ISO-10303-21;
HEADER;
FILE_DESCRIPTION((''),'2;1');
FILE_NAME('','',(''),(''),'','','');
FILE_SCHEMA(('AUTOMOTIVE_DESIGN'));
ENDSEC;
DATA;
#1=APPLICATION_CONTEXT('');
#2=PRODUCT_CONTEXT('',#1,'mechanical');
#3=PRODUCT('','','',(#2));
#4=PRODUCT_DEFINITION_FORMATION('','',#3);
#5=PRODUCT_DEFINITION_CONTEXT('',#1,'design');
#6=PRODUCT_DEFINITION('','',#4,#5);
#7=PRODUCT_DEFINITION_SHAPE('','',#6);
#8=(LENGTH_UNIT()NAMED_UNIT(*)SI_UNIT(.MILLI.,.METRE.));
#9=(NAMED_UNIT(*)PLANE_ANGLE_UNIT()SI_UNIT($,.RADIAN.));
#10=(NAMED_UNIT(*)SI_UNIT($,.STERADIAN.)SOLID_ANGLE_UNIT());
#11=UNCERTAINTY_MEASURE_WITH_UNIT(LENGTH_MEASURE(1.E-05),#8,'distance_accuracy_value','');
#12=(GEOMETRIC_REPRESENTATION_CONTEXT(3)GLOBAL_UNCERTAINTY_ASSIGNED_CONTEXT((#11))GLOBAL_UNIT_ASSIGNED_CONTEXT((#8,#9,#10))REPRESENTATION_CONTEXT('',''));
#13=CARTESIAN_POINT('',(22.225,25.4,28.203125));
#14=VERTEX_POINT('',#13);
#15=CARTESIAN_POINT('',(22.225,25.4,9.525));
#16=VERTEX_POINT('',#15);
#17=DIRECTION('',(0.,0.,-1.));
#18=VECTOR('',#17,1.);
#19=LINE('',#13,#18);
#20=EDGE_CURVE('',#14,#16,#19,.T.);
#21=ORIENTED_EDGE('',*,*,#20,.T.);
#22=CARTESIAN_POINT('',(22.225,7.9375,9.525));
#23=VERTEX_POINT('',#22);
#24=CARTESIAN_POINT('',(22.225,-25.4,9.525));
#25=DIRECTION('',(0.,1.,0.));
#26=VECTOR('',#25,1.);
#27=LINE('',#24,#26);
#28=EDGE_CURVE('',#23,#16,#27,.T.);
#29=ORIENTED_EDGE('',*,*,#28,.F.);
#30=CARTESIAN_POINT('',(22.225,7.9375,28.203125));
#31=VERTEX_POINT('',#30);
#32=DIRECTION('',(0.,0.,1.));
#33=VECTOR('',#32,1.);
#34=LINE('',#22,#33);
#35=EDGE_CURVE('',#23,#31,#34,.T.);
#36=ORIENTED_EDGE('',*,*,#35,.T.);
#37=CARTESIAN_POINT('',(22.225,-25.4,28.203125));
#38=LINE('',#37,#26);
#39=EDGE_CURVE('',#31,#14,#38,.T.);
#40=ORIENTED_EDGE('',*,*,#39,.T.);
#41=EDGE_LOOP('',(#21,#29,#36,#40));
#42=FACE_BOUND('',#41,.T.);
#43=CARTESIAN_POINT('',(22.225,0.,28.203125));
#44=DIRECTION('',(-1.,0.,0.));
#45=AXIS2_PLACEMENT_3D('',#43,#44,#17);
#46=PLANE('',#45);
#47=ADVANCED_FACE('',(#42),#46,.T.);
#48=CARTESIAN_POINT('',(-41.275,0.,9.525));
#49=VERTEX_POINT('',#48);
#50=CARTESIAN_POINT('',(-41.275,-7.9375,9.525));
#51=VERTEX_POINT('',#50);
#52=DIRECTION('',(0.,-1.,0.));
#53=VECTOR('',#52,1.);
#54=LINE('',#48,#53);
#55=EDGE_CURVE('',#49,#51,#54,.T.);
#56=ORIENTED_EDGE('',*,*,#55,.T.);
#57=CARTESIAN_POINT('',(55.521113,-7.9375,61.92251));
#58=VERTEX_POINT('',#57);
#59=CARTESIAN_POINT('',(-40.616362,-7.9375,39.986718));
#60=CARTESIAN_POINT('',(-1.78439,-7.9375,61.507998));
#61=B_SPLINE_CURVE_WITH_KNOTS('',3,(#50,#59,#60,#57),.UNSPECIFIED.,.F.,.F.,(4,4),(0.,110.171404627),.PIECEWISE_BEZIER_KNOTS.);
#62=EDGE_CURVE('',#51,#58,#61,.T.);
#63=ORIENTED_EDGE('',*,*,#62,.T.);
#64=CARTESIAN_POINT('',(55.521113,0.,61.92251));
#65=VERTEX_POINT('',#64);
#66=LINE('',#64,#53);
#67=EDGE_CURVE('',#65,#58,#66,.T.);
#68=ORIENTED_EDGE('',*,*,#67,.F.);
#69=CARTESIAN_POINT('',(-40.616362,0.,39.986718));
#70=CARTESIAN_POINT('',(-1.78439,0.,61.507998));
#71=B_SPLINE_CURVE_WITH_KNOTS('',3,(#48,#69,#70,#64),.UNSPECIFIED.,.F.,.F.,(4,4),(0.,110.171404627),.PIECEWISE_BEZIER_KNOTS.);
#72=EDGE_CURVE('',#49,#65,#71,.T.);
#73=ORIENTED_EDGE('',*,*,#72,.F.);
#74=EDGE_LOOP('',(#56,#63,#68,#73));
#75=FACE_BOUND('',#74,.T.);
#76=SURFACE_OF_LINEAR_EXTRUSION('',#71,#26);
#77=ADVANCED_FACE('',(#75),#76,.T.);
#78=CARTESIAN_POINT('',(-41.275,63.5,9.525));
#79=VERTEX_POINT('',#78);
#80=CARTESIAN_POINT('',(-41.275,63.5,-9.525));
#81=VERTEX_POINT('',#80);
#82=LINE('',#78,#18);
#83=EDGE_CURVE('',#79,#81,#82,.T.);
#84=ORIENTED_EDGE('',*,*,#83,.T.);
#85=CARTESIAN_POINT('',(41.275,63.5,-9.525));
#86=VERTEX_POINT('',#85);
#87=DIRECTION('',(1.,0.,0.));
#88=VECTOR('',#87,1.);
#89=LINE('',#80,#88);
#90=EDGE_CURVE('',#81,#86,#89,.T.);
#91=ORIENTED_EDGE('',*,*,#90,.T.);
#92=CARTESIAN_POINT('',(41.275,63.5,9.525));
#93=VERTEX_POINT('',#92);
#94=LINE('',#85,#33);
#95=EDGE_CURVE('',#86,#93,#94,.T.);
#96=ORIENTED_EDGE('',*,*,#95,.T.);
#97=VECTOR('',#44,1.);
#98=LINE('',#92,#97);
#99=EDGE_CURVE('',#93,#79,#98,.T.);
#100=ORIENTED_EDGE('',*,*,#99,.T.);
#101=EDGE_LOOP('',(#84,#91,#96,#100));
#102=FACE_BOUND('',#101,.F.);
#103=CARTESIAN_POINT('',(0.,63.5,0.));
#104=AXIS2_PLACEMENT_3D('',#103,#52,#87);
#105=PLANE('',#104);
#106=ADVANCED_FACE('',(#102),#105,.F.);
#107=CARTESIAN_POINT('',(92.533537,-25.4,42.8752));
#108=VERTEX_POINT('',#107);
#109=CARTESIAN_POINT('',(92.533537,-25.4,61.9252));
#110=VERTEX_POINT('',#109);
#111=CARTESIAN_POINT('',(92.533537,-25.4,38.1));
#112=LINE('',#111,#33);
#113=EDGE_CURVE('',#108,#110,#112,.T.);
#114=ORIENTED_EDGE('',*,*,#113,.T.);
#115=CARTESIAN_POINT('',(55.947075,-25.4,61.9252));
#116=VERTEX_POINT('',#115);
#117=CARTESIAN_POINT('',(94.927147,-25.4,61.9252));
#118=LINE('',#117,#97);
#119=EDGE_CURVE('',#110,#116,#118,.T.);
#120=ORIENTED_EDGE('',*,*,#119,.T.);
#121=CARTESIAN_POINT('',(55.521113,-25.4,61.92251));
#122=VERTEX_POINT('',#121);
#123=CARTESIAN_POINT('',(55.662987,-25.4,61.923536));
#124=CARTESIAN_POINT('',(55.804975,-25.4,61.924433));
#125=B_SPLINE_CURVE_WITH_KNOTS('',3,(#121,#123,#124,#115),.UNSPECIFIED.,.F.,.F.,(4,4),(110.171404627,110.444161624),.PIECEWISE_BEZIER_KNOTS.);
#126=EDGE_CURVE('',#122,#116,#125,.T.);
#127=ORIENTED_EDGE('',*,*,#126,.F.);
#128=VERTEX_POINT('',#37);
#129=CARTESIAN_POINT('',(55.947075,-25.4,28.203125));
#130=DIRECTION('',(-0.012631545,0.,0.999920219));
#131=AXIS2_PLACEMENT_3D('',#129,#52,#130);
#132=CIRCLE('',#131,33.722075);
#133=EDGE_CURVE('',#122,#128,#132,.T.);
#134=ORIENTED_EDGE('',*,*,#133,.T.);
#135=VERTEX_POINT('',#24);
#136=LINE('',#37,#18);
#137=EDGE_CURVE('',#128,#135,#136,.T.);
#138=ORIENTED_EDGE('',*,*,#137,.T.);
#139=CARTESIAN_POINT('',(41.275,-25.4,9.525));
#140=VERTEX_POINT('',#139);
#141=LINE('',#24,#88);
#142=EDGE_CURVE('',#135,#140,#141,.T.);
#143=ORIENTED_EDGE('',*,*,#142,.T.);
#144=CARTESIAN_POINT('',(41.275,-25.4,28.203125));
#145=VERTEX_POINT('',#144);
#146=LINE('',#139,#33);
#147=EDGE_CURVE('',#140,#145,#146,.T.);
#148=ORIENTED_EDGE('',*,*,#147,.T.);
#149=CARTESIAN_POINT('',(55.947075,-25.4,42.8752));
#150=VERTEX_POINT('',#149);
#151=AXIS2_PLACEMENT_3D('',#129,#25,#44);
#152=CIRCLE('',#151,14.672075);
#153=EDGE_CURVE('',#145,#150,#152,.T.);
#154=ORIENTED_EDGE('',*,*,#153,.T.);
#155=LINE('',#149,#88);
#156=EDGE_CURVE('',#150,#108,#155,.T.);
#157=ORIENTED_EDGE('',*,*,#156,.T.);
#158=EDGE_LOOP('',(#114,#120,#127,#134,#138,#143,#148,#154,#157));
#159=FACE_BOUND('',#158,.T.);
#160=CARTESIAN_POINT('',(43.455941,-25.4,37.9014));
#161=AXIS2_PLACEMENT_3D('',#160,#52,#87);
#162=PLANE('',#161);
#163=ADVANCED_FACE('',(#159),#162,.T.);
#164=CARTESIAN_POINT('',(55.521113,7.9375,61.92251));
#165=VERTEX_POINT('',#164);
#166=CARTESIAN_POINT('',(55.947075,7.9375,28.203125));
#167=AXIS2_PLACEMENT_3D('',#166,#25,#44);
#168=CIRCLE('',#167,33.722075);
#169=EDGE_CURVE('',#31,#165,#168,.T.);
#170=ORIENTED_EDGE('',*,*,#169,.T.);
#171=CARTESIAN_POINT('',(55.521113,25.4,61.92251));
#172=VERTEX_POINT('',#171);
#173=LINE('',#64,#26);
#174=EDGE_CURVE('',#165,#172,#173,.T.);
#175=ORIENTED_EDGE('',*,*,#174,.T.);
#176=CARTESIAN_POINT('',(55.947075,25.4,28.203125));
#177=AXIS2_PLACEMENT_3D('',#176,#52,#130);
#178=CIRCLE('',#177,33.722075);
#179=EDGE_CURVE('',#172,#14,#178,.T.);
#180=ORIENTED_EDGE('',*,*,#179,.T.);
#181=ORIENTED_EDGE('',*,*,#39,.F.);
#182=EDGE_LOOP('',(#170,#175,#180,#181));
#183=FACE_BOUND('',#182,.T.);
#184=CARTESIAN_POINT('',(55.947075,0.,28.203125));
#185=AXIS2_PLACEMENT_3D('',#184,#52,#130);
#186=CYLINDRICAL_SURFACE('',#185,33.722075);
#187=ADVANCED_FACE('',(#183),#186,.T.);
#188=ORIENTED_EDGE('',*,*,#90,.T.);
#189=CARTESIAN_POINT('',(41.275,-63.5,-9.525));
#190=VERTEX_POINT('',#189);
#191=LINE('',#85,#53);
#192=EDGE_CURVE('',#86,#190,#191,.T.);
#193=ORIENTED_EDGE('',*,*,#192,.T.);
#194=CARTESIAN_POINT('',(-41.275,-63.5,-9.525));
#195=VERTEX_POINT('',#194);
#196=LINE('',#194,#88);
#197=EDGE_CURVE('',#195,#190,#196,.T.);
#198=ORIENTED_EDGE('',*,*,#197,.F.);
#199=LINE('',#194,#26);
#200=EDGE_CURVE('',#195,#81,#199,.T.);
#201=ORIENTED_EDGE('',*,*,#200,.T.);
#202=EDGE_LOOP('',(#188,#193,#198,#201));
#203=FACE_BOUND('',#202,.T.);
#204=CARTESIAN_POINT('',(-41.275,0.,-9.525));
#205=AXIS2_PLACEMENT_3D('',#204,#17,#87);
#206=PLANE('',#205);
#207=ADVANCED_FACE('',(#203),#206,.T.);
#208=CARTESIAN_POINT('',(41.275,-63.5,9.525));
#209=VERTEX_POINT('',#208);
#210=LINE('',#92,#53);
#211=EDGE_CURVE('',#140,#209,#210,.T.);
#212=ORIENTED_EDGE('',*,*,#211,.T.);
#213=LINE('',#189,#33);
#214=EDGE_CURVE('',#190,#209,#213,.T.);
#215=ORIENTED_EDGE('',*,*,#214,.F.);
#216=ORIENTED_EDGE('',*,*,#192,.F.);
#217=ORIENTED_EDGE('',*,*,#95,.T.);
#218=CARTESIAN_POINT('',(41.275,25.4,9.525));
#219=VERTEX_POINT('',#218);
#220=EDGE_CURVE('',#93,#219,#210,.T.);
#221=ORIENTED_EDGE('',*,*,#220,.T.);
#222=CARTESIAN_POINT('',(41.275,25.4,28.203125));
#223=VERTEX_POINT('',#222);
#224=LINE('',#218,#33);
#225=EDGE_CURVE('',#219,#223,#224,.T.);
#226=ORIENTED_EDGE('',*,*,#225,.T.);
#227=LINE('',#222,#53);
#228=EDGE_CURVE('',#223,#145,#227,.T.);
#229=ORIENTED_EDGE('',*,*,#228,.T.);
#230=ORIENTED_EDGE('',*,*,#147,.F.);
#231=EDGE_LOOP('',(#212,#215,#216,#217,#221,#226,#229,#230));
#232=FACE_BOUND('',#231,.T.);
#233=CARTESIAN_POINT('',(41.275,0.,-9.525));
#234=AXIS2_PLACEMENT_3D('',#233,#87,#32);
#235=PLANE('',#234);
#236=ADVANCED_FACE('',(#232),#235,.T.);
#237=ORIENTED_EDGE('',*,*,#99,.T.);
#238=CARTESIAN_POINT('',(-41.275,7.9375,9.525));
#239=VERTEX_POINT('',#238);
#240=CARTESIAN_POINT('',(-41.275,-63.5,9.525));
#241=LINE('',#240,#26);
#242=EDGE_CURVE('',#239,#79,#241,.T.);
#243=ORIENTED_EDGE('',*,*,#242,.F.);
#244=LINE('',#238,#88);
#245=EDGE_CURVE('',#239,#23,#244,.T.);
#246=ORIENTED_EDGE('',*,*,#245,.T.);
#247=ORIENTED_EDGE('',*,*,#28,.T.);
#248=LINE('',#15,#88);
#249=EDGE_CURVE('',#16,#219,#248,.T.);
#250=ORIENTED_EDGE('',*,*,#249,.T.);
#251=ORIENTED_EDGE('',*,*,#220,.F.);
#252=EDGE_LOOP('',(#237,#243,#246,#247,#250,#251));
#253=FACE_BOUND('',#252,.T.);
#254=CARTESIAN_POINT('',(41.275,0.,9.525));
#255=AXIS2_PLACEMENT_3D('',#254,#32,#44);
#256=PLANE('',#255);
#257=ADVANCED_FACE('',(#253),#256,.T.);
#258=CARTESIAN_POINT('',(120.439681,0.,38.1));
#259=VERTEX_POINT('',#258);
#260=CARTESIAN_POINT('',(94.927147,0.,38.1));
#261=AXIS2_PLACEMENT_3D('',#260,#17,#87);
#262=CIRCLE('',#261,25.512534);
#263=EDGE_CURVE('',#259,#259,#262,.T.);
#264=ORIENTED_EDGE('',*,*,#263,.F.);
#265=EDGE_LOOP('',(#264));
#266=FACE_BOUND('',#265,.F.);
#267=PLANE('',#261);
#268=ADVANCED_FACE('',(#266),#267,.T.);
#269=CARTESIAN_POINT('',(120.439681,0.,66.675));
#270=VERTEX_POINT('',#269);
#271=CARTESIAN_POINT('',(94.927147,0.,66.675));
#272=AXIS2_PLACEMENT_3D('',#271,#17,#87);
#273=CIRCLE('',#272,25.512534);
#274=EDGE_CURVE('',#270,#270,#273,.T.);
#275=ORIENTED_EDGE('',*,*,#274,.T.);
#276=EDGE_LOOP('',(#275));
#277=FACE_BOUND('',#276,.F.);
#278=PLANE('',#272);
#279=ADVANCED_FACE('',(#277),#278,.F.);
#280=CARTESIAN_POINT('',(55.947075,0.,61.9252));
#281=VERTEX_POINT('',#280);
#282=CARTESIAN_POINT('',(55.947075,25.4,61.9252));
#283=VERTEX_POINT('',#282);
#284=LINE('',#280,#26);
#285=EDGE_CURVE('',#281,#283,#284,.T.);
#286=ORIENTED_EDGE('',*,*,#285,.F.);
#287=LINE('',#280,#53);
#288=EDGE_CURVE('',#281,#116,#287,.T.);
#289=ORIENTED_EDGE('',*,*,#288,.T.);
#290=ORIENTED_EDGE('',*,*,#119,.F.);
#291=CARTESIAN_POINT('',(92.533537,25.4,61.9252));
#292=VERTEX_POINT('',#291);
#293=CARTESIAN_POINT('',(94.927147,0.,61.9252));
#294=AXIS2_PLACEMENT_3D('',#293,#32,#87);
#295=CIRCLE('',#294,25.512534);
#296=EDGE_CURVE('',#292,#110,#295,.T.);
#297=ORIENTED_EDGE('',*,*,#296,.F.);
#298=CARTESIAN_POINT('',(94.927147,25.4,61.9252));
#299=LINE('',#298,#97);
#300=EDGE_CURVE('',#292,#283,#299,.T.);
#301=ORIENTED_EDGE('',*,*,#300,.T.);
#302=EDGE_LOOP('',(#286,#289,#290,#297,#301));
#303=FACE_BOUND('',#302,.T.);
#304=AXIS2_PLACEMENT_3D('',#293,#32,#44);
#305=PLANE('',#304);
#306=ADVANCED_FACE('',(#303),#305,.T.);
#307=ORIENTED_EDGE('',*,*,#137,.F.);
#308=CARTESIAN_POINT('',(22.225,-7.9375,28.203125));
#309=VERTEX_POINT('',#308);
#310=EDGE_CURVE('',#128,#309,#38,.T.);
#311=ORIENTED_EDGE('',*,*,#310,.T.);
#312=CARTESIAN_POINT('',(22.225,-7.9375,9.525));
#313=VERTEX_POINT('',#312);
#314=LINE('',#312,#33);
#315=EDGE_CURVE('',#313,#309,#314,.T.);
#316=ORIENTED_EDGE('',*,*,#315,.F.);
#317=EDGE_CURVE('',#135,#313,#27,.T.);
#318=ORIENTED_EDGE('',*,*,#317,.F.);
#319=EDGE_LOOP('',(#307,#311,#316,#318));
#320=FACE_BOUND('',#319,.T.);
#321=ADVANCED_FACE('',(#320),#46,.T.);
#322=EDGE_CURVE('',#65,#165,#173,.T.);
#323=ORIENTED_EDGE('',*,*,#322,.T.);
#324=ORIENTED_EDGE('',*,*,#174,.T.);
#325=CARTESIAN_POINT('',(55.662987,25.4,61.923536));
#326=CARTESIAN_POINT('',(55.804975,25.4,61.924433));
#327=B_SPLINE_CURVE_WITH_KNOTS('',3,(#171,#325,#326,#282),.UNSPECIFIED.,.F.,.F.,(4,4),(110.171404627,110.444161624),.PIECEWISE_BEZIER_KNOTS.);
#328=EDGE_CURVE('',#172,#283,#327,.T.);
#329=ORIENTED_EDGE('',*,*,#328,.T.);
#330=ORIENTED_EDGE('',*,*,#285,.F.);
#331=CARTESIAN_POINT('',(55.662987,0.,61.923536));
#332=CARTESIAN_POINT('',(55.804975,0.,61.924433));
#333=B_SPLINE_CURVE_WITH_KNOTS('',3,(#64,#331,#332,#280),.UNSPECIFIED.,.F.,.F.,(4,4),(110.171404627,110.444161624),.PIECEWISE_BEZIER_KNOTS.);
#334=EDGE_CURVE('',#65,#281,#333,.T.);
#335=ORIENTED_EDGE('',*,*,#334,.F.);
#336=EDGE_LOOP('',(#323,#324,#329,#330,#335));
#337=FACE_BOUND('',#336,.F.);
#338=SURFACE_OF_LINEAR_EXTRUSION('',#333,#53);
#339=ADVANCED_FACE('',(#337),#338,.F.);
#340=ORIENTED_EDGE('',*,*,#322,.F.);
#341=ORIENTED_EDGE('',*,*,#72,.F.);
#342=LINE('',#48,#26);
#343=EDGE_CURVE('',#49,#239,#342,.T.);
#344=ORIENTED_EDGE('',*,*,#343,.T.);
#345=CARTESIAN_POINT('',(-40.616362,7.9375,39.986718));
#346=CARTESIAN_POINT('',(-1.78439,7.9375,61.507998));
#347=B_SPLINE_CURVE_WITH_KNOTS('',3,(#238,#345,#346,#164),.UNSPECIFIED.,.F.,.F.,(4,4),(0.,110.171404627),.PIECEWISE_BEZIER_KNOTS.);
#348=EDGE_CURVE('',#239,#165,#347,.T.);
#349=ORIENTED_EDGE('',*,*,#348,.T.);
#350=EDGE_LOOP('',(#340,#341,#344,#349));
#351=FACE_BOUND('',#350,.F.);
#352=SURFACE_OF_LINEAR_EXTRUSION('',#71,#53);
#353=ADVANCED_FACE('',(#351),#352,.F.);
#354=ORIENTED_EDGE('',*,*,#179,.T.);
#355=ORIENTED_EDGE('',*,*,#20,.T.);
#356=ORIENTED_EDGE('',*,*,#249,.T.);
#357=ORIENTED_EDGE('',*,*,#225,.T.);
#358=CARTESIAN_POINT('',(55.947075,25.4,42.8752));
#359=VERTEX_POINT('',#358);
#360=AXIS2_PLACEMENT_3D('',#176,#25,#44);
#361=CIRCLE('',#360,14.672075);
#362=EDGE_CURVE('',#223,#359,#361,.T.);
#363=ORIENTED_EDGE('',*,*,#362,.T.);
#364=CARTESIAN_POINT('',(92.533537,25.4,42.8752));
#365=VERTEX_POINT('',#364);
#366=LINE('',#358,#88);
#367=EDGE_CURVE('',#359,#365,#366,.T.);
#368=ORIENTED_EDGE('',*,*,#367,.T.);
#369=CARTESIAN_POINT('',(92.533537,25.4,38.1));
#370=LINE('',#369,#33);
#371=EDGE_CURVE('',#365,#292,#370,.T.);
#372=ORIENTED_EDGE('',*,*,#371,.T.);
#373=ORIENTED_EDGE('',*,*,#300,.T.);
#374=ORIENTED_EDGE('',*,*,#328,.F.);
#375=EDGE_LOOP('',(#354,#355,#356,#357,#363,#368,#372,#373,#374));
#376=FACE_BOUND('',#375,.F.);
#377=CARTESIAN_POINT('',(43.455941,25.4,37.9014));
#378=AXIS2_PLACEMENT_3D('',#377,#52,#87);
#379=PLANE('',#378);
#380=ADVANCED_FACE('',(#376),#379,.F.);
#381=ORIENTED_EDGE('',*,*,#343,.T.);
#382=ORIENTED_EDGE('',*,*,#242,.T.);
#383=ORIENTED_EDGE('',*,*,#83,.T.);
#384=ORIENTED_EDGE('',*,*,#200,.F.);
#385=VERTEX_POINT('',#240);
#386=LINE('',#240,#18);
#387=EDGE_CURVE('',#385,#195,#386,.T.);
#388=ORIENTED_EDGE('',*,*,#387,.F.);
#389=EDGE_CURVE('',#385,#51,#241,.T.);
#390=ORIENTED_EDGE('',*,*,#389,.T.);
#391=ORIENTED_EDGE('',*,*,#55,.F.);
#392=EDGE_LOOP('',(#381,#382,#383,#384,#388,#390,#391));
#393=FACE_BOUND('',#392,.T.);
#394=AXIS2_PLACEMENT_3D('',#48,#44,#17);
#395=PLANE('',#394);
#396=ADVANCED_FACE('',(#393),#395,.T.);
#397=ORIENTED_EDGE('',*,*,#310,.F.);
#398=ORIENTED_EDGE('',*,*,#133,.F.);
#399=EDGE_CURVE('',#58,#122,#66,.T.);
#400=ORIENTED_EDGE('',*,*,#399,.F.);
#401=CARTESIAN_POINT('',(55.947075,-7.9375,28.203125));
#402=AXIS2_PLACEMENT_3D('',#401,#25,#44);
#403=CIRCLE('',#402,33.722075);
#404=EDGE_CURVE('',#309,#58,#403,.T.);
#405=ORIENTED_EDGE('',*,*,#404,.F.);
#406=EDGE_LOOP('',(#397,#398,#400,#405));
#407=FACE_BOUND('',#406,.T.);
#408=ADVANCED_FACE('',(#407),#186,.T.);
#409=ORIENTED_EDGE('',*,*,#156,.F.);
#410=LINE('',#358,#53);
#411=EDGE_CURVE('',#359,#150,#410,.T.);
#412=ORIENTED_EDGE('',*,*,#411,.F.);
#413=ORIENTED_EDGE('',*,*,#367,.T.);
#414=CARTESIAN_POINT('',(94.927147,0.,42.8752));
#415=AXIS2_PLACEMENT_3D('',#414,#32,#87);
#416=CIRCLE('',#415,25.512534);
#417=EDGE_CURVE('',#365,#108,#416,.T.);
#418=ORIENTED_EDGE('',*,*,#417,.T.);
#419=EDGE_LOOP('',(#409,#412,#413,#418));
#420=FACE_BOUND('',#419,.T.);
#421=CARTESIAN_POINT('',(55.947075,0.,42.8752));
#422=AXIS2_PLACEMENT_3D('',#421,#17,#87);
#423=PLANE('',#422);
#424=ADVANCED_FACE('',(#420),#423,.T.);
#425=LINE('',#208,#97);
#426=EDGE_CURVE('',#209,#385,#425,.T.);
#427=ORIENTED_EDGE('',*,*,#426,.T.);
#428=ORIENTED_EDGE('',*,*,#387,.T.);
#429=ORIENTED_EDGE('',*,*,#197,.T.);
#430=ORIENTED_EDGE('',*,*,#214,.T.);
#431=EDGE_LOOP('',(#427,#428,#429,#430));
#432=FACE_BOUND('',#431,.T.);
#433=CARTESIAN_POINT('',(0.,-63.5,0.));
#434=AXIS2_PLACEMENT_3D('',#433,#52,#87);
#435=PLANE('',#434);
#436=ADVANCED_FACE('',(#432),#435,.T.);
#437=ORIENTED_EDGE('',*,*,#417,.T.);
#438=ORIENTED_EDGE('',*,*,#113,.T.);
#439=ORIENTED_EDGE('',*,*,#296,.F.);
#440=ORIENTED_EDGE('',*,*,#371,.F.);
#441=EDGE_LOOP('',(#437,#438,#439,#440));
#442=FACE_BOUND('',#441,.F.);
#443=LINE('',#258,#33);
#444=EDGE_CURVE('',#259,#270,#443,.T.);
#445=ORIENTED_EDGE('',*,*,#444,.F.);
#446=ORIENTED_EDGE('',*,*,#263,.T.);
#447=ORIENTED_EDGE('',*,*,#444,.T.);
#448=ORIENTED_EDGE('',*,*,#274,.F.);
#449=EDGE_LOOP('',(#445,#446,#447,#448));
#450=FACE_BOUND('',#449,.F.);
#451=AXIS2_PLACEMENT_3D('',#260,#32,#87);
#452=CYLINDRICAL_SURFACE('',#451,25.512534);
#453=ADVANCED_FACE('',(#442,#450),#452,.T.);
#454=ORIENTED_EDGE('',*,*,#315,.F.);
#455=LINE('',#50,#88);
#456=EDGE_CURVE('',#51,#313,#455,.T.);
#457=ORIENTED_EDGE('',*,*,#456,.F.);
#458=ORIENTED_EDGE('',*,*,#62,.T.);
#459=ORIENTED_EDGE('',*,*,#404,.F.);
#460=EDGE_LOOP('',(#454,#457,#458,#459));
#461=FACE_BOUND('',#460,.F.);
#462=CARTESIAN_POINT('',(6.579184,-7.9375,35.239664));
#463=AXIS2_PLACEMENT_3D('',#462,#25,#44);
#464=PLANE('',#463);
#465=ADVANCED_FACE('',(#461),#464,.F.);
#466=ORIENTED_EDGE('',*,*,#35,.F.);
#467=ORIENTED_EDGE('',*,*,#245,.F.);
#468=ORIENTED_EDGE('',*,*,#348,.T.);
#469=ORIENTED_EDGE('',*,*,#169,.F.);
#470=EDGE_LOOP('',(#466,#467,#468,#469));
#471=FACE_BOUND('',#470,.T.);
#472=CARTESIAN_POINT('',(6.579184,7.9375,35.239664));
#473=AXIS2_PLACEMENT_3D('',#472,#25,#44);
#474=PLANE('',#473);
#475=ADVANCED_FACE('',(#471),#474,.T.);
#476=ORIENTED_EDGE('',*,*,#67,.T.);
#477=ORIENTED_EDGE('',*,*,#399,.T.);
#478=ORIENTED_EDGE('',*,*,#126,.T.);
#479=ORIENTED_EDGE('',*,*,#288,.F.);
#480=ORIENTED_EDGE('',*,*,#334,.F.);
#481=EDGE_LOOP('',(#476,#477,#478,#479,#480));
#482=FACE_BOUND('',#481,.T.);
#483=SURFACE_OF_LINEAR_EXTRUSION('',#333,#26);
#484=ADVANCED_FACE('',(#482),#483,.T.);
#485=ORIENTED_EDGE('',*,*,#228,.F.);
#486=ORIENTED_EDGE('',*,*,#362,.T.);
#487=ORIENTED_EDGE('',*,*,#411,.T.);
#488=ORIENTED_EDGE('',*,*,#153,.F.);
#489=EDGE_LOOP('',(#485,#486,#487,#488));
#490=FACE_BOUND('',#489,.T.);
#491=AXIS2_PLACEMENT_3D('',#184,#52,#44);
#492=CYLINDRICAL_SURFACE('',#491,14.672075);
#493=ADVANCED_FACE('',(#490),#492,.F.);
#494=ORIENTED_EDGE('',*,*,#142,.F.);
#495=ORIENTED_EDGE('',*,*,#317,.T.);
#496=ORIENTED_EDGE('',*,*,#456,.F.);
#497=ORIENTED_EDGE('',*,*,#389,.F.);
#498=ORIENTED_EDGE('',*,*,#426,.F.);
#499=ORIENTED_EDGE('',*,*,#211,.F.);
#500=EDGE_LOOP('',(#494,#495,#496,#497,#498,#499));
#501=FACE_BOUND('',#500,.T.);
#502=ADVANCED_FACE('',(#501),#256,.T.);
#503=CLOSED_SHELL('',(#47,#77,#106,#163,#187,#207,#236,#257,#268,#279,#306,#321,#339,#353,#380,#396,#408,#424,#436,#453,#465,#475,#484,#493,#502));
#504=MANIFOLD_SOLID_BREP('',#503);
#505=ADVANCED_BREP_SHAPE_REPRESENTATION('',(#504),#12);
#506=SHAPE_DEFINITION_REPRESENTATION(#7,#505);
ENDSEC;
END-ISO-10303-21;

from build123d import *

# Parameters (mm, degrees)
F1_DEPTH = 63.5
F0_W     = 25.2874664307
F0_H     = 19.05
F2_DEPTH = 25.4
F3_DEPTH = 7.9375


with BuildPart() as f1:
    # F0 (on Front) → F1 (new body, symmetric)
    with BuildSketch(Plane.XZ):
        Polygon((-41.275, -9.525), (41.275, -9.525), (41.275, 9.525), (22.225, 9.525), (-41.275, 9.525), align=None)
    extrude(amount=F1_DEPTH, both=True)

    # F0 (on Front) → F2 (join, symmetric)
    with BuildSketch(Plane.XZ):
        with BuildLine():
            Line((22.225, 9.525), (41.275, 9.525))
            Line((41.275, 9.525), (41.275, 28.2031249513))
            ThreePointArc((41.275, 28.2031249513), (45.5723512877, 38.5778487123), (55.9470750487, 42.8752))
            Line((55.9470750487, 42.8752), (69.6396806002, 42.8752))
            Line((69.6396806002, 42.8752), (69.6396806002, 61.9252))
            Line((69.6396806002, 61.9252), (55.9470750487, 61.9252))
            add(Edge.make_bspline(
                [(55.5211131367, 61.9225096141), (55.6629873097, 61.9235358416), (55.8049747134, 61.9244326984), (55.9470750487, 61.9252)],
                knots=[110.1714046274, 110.1714046274, 110.1714046274, 110.1714046274, 110.4441616239, 110.4441616239, 110.4441616239, 110.4441616239], degree=3))
            ThreePointArc((55.5211131367, 61.9225096141), (31.9518394262, 51.8971540095), (22.225, 28.2031249513))
            Line((22.225, 28.2031249513), (22.225, 9.525))
        make_face()
        with Locations((82.2834138155, 52.4002)):
            Rectangle(F0_W, F0_H)
    extrude(amount=F2_DEPTH, both=True)

    # F0 (on Front) → F3 (join, symmetric)
    with BuildSketch(Plane.XZ):
        with BuildLine():
            add(Edge.make_bspline(
                [(-41.275, 9.525), (-40.6163622331, 39.9867175864), (-1.7843899966, 61.50799807), (55.5211131367, 61.9225096141)],
                knots=[0, 0, 0, 0, 110.1714046274, 110.1714046274, 110.1714046274, 110.1714046274], degree=3))
            Line((-41.275, 9.525), (22.225, 9.525))
            Line((22.225, 9.525), (22.225, 28.2031249513))
            ThreePointArc((22.225, 28.2031249513), (31.9518394262, 51.8971540095), (55.5211131367, 61.9225096141))
        make_face()
    extrude(amount=F3_DEPTH, both=True)

    # F0 (on Front) → F4 (revolve)
    with BuildSketch(Plane.XZ):
        Polygon((94.9271470308, 61.9252), (94.9271470308, 42.8752), (94.9271470308, 38.1), (120.4396806002, 38.1), (120.4396806002, 66.675), (94.9271470308, 66.675), align=None)
    revolve(axis=Axis((94.9271470308, 0, 52.3875), (0, 0, -1)))


solid = f1.part
